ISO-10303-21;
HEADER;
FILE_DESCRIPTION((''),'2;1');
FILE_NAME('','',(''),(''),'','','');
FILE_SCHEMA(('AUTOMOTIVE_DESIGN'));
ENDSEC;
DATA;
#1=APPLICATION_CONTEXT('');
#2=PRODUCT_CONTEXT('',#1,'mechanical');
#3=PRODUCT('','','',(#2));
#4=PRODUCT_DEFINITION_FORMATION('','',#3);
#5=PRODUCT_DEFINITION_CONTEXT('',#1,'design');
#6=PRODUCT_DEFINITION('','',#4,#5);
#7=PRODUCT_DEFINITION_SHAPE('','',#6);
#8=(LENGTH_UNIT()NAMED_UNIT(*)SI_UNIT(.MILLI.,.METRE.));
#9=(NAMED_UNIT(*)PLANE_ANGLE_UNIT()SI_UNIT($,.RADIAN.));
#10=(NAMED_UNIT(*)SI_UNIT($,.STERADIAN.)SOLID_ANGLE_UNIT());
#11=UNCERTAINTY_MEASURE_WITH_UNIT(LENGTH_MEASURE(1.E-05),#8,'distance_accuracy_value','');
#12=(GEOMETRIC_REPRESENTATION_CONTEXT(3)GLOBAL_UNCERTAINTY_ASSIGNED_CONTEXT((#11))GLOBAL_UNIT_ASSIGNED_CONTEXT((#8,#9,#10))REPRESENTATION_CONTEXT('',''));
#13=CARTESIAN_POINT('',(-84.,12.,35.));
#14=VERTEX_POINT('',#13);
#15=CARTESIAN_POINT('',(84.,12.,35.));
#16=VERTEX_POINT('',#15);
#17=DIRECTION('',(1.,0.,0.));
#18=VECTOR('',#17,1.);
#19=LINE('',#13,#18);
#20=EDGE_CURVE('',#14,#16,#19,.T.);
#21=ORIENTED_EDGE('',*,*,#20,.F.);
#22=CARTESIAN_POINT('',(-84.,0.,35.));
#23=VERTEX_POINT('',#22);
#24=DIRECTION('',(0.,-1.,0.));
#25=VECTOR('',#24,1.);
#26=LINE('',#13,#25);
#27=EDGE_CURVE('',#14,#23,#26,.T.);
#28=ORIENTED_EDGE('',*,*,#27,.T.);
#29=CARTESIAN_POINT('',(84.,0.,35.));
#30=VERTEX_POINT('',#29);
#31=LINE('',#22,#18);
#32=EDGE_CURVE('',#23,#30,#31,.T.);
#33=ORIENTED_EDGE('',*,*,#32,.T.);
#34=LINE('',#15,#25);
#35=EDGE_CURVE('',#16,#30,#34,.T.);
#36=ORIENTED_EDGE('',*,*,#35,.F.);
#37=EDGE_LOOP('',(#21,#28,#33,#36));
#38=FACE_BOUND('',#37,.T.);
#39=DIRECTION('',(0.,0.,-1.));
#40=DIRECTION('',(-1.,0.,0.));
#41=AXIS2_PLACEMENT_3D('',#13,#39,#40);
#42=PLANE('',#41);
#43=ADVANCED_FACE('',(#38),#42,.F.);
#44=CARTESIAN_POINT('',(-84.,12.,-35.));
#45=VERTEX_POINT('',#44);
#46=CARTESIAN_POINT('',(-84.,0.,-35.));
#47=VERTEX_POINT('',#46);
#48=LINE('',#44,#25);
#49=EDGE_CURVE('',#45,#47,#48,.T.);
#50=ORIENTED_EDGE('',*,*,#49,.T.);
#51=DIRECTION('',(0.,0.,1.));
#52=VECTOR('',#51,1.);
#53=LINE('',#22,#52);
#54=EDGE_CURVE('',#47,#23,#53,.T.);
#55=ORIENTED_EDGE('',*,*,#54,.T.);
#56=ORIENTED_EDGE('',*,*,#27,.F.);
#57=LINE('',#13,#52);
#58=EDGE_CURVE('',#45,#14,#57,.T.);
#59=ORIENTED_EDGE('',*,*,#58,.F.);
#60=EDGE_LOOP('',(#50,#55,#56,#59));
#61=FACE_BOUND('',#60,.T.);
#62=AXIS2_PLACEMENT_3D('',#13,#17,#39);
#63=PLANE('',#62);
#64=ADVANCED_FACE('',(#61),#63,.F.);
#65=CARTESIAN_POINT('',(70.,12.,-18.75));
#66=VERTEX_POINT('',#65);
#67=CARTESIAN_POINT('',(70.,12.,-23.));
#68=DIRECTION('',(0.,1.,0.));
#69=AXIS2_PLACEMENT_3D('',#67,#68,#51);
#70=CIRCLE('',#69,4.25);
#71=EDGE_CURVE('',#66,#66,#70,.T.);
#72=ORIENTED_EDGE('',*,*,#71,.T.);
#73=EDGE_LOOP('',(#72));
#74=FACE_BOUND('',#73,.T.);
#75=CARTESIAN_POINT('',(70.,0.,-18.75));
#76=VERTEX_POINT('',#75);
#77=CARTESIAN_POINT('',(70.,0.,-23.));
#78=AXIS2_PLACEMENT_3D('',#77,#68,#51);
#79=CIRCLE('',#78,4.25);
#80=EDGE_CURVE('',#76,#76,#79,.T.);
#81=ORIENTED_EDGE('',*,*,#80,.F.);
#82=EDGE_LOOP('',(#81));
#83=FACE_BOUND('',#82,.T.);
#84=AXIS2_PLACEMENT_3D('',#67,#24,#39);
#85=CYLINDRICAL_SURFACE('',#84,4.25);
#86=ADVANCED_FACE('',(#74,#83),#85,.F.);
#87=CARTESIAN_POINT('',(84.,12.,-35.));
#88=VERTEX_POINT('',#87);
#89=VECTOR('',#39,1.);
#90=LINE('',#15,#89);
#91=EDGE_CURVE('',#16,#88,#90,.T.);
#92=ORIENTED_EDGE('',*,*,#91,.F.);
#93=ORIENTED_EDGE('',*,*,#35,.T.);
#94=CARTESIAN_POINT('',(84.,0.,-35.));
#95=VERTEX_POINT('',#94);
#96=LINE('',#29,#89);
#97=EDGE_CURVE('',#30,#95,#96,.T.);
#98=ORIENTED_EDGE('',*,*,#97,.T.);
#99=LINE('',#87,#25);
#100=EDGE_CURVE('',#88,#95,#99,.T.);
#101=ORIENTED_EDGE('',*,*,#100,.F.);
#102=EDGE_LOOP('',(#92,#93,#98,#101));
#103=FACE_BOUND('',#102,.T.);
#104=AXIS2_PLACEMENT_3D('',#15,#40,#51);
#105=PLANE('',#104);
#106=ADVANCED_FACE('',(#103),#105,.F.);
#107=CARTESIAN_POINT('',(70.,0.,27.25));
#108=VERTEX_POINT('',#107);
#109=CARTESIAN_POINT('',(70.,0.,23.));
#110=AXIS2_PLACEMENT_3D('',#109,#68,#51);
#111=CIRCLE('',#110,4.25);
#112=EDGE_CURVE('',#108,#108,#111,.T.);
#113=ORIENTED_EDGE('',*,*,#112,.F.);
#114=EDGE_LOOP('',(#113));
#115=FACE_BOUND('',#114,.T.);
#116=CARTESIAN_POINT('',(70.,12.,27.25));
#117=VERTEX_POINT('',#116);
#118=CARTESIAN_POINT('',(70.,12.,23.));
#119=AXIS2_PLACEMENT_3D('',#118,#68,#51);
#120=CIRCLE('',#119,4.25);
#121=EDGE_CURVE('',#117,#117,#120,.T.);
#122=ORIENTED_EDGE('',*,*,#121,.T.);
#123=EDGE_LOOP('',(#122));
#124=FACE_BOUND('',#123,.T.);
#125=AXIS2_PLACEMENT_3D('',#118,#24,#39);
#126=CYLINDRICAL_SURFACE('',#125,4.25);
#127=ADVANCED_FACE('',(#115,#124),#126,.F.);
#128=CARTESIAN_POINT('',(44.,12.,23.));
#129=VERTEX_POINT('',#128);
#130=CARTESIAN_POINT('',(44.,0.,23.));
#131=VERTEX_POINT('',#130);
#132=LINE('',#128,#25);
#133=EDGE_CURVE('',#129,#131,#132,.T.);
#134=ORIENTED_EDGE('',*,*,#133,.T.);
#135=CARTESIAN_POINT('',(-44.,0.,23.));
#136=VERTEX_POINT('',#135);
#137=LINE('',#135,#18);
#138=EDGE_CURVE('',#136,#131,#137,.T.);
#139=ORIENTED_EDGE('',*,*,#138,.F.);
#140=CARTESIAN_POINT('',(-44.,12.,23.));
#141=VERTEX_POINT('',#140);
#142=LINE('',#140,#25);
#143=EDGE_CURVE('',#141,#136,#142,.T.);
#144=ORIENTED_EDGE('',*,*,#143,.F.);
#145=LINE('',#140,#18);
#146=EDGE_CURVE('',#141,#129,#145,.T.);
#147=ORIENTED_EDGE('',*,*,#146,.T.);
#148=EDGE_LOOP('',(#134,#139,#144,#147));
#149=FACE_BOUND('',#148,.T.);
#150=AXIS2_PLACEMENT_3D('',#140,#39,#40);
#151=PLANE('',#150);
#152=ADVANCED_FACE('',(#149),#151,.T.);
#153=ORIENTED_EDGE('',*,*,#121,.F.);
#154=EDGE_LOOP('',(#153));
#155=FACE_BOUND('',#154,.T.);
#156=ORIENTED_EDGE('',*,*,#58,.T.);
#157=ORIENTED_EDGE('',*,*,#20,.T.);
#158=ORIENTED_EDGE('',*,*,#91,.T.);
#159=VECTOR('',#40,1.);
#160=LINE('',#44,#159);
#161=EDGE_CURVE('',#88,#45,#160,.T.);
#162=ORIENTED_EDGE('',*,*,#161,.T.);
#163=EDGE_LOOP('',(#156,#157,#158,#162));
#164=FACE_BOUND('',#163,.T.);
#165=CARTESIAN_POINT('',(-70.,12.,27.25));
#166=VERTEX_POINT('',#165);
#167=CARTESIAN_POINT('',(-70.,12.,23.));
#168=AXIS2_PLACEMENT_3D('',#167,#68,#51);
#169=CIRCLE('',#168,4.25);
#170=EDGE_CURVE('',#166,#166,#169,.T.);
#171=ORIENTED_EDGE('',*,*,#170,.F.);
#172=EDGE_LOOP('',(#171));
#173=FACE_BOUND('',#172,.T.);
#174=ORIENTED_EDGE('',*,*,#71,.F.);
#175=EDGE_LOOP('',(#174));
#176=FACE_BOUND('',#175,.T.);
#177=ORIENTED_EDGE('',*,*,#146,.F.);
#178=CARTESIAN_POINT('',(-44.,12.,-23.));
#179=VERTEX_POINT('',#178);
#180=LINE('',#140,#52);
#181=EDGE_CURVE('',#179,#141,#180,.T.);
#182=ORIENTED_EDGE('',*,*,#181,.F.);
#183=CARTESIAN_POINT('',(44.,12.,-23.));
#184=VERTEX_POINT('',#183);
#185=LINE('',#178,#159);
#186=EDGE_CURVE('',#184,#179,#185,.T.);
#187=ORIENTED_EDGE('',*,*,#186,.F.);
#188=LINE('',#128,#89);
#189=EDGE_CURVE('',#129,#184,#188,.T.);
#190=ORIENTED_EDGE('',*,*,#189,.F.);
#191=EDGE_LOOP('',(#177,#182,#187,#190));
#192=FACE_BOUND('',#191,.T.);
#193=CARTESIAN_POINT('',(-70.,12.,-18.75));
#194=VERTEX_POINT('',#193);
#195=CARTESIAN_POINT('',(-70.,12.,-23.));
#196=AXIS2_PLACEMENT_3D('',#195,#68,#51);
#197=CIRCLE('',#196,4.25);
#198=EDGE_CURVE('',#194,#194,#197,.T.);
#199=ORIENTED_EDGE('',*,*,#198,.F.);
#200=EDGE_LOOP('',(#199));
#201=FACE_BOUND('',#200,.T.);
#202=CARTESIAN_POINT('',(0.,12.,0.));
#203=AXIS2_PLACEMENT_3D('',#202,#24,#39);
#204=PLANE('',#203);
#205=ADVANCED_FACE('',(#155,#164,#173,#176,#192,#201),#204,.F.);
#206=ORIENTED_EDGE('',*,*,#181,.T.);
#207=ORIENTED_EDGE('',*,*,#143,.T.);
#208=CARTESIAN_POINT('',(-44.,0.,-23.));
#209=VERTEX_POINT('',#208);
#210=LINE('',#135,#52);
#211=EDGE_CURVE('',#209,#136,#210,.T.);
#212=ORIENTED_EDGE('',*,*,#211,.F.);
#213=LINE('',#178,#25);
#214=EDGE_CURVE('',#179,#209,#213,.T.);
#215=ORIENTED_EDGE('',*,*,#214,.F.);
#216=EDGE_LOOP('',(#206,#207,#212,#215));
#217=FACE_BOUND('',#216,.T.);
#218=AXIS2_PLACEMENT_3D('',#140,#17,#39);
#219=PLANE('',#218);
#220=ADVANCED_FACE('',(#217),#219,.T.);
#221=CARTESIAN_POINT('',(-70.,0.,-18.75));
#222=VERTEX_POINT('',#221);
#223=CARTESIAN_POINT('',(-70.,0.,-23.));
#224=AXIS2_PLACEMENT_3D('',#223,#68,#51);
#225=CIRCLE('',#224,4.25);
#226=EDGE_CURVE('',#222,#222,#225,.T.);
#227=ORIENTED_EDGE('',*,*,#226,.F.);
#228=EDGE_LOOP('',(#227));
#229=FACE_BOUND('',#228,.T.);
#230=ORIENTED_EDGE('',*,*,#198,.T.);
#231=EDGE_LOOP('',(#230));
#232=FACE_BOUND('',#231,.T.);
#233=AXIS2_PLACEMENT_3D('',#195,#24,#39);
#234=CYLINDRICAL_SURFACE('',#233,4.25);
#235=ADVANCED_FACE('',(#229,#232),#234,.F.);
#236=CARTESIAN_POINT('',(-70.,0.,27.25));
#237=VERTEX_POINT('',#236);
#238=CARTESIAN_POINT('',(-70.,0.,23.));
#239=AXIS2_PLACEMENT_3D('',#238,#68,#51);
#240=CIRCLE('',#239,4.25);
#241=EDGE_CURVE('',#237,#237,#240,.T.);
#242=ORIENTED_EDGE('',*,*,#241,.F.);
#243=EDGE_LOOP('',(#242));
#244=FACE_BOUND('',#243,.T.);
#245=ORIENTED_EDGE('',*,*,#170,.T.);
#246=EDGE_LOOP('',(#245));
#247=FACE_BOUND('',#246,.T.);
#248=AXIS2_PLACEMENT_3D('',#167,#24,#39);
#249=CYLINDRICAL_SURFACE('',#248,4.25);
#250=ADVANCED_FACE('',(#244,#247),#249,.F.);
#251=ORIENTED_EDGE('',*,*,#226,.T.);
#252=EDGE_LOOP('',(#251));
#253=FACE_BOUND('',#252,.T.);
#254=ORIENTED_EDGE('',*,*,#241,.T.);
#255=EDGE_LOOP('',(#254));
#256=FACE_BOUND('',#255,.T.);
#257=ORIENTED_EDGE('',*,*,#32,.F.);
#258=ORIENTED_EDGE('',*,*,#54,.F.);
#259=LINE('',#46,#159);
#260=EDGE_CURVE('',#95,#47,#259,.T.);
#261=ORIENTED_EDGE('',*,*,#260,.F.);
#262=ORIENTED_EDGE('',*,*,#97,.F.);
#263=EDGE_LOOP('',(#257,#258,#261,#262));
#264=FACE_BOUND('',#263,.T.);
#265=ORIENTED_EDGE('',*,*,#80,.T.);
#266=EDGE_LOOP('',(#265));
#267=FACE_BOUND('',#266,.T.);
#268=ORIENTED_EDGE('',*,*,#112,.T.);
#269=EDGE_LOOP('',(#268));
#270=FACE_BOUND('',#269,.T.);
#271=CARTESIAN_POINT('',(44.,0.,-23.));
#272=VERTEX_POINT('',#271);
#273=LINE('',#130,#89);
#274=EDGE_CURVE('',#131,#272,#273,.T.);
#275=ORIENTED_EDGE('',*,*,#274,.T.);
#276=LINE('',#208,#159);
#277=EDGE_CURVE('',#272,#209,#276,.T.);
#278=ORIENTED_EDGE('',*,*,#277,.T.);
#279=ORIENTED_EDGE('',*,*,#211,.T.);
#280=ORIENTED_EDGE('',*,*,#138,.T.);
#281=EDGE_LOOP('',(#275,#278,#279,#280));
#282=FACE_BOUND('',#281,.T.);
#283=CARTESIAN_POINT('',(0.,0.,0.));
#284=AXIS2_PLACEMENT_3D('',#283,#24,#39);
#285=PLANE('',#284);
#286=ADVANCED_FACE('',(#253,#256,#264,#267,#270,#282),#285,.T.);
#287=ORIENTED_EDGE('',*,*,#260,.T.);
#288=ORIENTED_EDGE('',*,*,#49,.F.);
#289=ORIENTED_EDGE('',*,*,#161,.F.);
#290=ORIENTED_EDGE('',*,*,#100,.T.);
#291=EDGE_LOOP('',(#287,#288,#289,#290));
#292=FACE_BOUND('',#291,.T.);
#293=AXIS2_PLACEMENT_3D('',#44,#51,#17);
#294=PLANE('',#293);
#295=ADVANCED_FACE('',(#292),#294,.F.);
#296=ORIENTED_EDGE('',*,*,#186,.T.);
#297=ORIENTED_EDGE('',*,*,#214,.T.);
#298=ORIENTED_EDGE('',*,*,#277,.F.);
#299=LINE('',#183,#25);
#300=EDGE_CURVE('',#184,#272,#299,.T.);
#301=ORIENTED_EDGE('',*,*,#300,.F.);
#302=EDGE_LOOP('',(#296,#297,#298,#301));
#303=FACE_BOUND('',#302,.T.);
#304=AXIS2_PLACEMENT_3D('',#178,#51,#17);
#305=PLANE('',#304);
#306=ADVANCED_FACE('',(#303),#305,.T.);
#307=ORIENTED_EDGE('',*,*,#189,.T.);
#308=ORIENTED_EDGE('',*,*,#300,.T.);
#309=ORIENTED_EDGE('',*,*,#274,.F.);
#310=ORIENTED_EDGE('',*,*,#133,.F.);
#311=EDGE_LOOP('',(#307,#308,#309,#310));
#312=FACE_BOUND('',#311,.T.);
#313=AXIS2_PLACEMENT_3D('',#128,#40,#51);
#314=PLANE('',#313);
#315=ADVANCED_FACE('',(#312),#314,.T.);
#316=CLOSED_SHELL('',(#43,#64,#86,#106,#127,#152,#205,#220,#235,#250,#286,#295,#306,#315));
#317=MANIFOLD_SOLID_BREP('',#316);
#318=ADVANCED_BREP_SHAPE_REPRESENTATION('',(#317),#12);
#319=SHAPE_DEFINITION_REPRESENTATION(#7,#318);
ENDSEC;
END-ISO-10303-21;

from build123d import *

# Parameters (mm, degrees)
SKETCH1_W                  = 168
SKETCH1_H                  = 70
SKETCH1_R                  = 4.25
SKETCH1_W_2                = 88
SKETCH1_H_2                = 46
BRIDGE_CLAMP_EXTRUDE_DEPTH = 12


with BuildPart() as part:
    # Sketch1 → Bridge_Clamp_Extrude (new body)
    with BuildSketch(Plane(origin=(0, 0, 0), x_dir=(1, 0, 0), z_dir=(0, 1, 0))):
        Rectangle(SKETCH1_W, SKETCH1_H)
        with Locations(Location((-70, -23, 0), (0, 0, 270))):
            Circle(SKETCH1_R, mode=Mode.SUBTRACT)
        with Locations(Location((70, -23, 0), (0, 0, 270))):
            Circle(SKETCH1_R, mode=Mode.SUBTRACT)
        with Locations(Location((-70, 23, 0), (0, 0, 270))):
            Circle(SKETCH1_R, mode=Mode.SUBTRACT)
        with Locations(Location((70, 23, 0), (0, 0, 270))):
            Circle(SKETCH1_R, mode=Mode.SUBTRACT)
        Rectangle(SKETCH1_W_2, SKETCH1_H_2, mode=Mode.SUBTRACT)
    extrude(amount=BRIDGE_CLAMP_EXTRUDE_DEPTH)


solid = part.part
